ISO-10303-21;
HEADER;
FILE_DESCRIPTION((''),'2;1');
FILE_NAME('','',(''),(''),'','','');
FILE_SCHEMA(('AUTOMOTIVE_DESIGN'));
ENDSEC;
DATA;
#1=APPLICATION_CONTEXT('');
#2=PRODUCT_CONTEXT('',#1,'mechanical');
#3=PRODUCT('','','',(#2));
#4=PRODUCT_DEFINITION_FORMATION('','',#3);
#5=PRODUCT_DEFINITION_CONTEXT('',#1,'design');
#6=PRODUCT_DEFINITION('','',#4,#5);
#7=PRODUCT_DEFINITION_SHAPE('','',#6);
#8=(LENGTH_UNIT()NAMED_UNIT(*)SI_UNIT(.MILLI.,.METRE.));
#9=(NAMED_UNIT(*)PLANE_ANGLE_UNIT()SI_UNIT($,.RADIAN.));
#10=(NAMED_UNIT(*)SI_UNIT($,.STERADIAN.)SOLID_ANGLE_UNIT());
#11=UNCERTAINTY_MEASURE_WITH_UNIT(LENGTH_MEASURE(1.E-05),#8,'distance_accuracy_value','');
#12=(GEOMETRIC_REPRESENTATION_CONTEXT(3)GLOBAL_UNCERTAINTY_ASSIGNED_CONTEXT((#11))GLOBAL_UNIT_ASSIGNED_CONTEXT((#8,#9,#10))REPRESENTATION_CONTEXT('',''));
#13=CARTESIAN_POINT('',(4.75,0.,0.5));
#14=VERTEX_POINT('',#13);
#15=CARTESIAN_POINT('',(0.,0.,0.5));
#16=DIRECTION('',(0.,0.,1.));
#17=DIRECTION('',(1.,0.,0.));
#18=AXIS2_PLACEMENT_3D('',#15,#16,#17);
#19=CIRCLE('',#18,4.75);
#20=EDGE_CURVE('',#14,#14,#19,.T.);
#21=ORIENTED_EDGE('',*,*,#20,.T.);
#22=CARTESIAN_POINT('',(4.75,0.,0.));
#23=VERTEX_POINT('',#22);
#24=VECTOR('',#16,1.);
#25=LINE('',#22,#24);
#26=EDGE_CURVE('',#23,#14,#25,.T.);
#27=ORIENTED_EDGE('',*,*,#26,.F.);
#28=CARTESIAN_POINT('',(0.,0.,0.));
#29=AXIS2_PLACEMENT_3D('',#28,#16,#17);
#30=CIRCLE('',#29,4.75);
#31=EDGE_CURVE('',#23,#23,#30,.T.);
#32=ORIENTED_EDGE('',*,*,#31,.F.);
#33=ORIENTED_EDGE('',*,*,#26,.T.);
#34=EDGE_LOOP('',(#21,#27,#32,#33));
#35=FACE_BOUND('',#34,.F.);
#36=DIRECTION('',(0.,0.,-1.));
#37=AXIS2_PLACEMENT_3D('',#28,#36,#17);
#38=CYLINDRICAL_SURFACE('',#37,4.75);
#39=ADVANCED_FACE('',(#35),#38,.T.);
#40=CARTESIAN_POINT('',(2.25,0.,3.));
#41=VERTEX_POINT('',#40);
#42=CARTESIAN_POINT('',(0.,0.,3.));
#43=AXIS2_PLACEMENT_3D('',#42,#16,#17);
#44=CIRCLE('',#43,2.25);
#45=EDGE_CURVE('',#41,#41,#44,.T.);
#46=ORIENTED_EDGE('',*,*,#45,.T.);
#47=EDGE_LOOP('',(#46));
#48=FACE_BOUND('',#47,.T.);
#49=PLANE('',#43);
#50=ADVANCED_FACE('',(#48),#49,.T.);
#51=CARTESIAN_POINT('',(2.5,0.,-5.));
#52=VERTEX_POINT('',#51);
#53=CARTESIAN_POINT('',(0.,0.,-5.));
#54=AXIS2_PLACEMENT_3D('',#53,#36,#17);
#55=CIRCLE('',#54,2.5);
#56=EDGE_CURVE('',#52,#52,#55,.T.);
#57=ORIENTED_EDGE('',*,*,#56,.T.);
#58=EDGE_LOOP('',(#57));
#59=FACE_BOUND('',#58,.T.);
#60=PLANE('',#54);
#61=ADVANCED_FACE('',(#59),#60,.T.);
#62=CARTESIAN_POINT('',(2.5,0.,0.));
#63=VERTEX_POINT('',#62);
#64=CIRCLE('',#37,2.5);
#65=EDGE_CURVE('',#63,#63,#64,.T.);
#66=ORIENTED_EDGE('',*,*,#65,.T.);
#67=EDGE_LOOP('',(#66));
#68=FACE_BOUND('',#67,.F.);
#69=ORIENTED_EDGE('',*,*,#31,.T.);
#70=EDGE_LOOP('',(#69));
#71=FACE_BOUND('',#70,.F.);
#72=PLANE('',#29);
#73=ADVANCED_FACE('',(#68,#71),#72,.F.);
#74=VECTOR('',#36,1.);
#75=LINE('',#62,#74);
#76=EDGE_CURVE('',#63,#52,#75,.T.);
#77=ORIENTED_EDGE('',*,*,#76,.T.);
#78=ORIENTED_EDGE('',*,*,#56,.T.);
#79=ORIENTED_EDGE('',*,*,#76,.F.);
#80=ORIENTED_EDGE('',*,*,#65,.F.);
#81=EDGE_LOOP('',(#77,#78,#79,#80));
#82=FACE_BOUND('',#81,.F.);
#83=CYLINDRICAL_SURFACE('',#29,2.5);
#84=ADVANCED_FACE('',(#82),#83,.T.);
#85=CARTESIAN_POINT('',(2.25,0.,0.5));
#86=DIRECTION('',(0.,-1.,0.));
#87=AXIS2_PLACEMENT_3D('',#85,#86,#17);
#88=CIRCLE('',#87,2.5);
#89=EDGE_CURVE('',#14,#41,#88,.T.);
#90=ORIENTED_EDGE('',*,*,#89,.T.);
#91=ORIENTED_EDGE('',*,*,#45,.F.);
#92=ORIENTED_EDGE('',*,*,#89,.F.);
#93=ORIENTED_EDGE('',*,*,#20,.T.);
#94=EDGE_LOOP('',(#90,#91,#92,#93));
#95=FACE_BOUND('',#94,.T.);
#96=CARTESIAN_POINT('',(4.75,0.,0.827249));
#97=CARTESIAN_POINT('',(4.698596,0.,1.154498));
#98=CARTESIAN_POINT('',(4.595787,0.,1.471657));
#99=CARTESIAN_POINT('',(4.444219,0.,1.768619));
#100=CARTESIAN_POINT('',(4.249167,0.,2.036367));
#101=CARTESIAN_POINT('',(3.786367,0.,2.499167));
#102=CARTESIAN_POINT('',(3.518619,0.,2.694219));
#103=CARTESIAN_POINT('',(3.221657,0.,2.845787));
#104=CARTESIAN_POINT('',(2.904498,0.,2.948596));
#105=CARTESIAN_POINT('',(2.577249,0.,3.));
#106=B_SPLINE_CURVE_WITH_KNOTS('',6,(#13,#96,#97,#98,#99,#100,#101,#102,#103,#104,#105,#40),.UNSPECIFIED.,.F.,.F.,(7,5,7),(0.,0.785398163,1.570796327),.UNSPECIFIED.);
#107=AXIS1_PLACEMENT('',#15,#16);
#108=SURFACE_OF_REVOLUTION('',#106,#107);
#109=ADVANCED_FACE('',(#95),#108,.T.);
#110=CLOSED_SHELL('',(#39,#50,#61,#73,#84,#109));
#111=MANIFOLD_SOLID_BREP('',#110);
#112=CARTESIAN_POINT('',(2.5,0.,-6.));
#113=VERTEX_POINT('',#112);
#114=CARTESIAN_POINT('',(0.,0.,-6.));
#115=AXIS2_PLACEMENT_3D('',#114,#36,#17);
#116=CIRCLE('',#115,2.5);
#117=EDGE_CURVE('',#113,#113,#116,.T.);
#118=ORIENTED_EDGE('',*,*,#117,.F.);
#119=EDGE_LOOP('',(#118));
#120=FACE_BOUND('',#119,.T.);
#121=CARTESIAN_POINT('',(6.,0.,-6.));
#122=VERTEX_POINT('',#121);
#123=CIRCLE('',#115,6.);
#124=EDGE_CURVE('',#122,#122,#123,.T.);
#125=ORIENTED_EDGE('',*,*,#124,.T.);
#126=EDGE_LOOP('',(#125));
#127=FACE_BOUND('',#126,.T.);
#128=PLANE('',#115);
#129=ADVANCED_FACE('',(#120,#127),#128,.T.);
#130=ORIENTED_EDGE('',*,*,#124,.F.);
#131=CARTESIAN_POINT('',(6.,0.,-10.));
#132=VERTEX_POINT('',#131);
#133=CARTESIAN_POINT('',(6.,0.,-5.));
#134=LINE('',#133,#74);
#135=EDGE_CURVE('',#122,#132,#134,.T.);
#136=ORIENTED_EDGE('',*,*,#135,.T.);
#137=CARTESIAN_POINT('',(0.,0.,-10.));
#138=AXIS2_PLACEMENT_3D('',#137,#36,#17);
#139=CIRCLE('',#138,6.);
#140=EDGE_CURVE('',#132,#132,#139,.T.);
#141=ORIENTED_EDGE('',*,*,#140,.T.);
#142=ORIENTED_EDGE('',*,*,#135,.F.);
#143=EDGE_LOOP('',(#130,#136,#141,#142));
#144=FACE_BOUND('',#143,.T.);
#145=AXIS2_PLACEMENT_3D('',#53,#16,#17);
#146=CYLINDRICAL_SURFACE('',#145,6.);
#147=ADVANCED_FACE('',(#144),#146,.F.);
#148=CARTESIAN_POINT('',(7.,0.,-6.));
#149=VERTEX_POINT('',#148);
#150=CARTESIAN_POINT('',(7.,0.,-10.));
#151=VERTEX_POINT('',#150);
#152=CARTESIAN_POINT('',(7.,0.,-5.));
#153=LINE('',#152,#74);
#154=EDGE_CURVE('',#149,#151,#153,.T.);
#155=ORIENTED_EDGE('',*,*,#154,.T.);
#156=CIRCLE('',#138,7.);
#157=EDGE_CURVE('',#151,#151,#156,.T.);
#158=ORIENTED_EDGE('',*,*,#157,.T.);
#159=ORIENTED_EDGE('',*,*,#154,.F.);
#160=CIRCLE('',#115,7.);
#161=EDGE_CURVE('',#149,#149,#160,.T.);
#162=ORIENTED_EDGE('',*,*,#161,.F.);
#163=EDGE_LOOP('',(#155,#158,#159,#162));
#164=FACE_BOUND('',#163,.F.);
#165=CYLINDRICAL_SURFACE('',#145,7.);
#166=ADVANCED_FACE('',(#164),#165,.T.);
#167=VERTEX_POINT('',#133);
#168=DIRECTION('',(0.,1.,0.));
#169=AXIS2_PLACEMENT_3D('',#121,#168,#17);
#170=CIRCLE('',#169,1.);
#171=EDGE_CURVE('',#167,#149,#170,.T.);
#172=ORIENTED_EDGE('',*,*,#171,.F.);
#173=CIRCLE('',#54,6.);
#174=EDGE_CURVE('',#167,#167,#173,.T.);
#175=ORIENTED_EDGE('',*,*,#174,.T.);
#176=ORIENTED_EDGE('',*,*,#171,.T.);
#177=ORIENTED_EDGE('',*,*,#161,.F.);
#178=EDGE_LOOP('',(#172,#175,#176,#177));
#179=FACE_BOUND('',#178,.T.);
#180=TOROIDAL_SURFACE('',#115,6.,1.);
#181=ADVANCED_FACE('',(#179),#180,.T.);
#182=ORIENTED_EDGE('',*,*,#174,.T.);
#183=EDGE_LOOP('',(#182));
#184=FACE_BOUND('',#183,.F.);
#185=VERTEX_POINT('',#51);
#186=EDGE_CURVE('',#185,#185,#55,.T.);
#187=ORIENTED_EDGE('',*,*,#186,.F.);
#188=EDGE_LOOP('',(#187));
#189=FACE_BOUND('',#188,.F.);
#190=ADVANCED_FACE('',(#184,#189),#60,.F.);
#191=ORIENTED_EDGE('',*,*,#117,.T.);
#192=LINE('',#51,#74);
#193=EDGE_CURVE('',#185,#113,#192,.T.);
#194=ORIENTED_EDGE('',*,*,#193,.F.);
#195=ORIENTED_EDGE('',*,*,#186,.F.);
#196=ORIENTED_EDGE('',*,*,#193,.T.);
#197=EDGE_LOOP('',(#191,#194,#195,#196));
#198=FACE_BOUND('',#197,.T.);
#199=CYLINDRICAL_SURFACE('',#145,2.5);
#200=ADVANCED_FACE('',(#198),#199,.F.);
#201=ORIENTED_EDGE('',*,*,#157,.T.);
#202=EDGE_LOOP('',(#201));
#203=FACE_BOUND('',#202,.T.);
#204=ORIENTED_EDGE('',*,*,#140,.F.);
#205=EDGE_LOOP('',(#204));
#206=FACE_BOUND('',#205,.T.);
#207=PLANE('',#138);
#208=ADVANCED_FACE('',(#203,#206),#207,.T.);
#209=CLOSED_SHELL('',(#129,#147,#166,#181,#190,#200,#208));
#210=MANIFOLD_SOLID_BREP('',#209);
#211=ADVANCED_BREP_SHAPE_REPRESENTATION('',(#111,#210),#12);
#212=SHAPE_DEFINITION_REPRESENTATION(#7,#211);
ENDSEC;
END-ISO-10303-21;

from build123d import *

# Parameters (mm, degrees)
F0_R     = 4.75
F1_DEPTH = 3
F2_R     = 2.5
F3_R     = 2.5
F4_DEPTH = 5
F5_R     = 7
F5_R_2   = 6
F6_DEPTH = 5
F7_R     = 6
F7_R_2   = 2.5
F8_DEPTH = 1
F9_R     = 1


with BuildPart() as f1:
    # F0 (on Top) → F1 (new body)
    with BuildSketch(Plane.XY):
        Circle(F0_R)
    extrude(amount=F1_DEPTH)

    # F2
    f2_edges = [f1.edges().sort_by_distance(p)[0] for p in [
        (-4.75, 0, 3),
    ]]
    fillet(f2_edges, radius=F2_R)

    # F3 (on face) → F4 (join)
    with BuildSketch(Plane(origin=(0, 0, 0), x_dir=(1, 0, 0), z_dir=(0, 0, -1))):
        Circle(F3_R)
    extrude(amount=F4_DEPTH)



with BuildPart() as f6:
    # F5 (on face) → F6 (new body)
    with BuildSketch(Plane(origin=(0, 0, -5), x_dir=(1, 0, 0), z_dir=(0, 0, -1))):
        Circle(F5_R)
        Circle(F5_R_2, mode=Mode.SUBTRACT)
    extrude(amount=F6_DEPTH)


with BuildPart() as f1_1:
    add(f1.part)

    add(f6.part)  # F8 merges F6
    # F7 (on face) → F8 (join)
    with BuildSketch(Plane(origin=(0, 0, -5), x_dir=(1, 0, 0), z_dir=(0, 0, -1))):
        Circle(F7_R)
        Circle(F7_R_2, mode=Mode.SUBTRACT)
    extrude(amount=F8_DEPTH)

    # F9
    f9_edges = [f1_1.edges().sort_by_distance(p)[0] for p in [
        (-7, 0, -5),
    ]]
    fillet(f9_edges, radius=F9_R)


solid = f1_1.part
